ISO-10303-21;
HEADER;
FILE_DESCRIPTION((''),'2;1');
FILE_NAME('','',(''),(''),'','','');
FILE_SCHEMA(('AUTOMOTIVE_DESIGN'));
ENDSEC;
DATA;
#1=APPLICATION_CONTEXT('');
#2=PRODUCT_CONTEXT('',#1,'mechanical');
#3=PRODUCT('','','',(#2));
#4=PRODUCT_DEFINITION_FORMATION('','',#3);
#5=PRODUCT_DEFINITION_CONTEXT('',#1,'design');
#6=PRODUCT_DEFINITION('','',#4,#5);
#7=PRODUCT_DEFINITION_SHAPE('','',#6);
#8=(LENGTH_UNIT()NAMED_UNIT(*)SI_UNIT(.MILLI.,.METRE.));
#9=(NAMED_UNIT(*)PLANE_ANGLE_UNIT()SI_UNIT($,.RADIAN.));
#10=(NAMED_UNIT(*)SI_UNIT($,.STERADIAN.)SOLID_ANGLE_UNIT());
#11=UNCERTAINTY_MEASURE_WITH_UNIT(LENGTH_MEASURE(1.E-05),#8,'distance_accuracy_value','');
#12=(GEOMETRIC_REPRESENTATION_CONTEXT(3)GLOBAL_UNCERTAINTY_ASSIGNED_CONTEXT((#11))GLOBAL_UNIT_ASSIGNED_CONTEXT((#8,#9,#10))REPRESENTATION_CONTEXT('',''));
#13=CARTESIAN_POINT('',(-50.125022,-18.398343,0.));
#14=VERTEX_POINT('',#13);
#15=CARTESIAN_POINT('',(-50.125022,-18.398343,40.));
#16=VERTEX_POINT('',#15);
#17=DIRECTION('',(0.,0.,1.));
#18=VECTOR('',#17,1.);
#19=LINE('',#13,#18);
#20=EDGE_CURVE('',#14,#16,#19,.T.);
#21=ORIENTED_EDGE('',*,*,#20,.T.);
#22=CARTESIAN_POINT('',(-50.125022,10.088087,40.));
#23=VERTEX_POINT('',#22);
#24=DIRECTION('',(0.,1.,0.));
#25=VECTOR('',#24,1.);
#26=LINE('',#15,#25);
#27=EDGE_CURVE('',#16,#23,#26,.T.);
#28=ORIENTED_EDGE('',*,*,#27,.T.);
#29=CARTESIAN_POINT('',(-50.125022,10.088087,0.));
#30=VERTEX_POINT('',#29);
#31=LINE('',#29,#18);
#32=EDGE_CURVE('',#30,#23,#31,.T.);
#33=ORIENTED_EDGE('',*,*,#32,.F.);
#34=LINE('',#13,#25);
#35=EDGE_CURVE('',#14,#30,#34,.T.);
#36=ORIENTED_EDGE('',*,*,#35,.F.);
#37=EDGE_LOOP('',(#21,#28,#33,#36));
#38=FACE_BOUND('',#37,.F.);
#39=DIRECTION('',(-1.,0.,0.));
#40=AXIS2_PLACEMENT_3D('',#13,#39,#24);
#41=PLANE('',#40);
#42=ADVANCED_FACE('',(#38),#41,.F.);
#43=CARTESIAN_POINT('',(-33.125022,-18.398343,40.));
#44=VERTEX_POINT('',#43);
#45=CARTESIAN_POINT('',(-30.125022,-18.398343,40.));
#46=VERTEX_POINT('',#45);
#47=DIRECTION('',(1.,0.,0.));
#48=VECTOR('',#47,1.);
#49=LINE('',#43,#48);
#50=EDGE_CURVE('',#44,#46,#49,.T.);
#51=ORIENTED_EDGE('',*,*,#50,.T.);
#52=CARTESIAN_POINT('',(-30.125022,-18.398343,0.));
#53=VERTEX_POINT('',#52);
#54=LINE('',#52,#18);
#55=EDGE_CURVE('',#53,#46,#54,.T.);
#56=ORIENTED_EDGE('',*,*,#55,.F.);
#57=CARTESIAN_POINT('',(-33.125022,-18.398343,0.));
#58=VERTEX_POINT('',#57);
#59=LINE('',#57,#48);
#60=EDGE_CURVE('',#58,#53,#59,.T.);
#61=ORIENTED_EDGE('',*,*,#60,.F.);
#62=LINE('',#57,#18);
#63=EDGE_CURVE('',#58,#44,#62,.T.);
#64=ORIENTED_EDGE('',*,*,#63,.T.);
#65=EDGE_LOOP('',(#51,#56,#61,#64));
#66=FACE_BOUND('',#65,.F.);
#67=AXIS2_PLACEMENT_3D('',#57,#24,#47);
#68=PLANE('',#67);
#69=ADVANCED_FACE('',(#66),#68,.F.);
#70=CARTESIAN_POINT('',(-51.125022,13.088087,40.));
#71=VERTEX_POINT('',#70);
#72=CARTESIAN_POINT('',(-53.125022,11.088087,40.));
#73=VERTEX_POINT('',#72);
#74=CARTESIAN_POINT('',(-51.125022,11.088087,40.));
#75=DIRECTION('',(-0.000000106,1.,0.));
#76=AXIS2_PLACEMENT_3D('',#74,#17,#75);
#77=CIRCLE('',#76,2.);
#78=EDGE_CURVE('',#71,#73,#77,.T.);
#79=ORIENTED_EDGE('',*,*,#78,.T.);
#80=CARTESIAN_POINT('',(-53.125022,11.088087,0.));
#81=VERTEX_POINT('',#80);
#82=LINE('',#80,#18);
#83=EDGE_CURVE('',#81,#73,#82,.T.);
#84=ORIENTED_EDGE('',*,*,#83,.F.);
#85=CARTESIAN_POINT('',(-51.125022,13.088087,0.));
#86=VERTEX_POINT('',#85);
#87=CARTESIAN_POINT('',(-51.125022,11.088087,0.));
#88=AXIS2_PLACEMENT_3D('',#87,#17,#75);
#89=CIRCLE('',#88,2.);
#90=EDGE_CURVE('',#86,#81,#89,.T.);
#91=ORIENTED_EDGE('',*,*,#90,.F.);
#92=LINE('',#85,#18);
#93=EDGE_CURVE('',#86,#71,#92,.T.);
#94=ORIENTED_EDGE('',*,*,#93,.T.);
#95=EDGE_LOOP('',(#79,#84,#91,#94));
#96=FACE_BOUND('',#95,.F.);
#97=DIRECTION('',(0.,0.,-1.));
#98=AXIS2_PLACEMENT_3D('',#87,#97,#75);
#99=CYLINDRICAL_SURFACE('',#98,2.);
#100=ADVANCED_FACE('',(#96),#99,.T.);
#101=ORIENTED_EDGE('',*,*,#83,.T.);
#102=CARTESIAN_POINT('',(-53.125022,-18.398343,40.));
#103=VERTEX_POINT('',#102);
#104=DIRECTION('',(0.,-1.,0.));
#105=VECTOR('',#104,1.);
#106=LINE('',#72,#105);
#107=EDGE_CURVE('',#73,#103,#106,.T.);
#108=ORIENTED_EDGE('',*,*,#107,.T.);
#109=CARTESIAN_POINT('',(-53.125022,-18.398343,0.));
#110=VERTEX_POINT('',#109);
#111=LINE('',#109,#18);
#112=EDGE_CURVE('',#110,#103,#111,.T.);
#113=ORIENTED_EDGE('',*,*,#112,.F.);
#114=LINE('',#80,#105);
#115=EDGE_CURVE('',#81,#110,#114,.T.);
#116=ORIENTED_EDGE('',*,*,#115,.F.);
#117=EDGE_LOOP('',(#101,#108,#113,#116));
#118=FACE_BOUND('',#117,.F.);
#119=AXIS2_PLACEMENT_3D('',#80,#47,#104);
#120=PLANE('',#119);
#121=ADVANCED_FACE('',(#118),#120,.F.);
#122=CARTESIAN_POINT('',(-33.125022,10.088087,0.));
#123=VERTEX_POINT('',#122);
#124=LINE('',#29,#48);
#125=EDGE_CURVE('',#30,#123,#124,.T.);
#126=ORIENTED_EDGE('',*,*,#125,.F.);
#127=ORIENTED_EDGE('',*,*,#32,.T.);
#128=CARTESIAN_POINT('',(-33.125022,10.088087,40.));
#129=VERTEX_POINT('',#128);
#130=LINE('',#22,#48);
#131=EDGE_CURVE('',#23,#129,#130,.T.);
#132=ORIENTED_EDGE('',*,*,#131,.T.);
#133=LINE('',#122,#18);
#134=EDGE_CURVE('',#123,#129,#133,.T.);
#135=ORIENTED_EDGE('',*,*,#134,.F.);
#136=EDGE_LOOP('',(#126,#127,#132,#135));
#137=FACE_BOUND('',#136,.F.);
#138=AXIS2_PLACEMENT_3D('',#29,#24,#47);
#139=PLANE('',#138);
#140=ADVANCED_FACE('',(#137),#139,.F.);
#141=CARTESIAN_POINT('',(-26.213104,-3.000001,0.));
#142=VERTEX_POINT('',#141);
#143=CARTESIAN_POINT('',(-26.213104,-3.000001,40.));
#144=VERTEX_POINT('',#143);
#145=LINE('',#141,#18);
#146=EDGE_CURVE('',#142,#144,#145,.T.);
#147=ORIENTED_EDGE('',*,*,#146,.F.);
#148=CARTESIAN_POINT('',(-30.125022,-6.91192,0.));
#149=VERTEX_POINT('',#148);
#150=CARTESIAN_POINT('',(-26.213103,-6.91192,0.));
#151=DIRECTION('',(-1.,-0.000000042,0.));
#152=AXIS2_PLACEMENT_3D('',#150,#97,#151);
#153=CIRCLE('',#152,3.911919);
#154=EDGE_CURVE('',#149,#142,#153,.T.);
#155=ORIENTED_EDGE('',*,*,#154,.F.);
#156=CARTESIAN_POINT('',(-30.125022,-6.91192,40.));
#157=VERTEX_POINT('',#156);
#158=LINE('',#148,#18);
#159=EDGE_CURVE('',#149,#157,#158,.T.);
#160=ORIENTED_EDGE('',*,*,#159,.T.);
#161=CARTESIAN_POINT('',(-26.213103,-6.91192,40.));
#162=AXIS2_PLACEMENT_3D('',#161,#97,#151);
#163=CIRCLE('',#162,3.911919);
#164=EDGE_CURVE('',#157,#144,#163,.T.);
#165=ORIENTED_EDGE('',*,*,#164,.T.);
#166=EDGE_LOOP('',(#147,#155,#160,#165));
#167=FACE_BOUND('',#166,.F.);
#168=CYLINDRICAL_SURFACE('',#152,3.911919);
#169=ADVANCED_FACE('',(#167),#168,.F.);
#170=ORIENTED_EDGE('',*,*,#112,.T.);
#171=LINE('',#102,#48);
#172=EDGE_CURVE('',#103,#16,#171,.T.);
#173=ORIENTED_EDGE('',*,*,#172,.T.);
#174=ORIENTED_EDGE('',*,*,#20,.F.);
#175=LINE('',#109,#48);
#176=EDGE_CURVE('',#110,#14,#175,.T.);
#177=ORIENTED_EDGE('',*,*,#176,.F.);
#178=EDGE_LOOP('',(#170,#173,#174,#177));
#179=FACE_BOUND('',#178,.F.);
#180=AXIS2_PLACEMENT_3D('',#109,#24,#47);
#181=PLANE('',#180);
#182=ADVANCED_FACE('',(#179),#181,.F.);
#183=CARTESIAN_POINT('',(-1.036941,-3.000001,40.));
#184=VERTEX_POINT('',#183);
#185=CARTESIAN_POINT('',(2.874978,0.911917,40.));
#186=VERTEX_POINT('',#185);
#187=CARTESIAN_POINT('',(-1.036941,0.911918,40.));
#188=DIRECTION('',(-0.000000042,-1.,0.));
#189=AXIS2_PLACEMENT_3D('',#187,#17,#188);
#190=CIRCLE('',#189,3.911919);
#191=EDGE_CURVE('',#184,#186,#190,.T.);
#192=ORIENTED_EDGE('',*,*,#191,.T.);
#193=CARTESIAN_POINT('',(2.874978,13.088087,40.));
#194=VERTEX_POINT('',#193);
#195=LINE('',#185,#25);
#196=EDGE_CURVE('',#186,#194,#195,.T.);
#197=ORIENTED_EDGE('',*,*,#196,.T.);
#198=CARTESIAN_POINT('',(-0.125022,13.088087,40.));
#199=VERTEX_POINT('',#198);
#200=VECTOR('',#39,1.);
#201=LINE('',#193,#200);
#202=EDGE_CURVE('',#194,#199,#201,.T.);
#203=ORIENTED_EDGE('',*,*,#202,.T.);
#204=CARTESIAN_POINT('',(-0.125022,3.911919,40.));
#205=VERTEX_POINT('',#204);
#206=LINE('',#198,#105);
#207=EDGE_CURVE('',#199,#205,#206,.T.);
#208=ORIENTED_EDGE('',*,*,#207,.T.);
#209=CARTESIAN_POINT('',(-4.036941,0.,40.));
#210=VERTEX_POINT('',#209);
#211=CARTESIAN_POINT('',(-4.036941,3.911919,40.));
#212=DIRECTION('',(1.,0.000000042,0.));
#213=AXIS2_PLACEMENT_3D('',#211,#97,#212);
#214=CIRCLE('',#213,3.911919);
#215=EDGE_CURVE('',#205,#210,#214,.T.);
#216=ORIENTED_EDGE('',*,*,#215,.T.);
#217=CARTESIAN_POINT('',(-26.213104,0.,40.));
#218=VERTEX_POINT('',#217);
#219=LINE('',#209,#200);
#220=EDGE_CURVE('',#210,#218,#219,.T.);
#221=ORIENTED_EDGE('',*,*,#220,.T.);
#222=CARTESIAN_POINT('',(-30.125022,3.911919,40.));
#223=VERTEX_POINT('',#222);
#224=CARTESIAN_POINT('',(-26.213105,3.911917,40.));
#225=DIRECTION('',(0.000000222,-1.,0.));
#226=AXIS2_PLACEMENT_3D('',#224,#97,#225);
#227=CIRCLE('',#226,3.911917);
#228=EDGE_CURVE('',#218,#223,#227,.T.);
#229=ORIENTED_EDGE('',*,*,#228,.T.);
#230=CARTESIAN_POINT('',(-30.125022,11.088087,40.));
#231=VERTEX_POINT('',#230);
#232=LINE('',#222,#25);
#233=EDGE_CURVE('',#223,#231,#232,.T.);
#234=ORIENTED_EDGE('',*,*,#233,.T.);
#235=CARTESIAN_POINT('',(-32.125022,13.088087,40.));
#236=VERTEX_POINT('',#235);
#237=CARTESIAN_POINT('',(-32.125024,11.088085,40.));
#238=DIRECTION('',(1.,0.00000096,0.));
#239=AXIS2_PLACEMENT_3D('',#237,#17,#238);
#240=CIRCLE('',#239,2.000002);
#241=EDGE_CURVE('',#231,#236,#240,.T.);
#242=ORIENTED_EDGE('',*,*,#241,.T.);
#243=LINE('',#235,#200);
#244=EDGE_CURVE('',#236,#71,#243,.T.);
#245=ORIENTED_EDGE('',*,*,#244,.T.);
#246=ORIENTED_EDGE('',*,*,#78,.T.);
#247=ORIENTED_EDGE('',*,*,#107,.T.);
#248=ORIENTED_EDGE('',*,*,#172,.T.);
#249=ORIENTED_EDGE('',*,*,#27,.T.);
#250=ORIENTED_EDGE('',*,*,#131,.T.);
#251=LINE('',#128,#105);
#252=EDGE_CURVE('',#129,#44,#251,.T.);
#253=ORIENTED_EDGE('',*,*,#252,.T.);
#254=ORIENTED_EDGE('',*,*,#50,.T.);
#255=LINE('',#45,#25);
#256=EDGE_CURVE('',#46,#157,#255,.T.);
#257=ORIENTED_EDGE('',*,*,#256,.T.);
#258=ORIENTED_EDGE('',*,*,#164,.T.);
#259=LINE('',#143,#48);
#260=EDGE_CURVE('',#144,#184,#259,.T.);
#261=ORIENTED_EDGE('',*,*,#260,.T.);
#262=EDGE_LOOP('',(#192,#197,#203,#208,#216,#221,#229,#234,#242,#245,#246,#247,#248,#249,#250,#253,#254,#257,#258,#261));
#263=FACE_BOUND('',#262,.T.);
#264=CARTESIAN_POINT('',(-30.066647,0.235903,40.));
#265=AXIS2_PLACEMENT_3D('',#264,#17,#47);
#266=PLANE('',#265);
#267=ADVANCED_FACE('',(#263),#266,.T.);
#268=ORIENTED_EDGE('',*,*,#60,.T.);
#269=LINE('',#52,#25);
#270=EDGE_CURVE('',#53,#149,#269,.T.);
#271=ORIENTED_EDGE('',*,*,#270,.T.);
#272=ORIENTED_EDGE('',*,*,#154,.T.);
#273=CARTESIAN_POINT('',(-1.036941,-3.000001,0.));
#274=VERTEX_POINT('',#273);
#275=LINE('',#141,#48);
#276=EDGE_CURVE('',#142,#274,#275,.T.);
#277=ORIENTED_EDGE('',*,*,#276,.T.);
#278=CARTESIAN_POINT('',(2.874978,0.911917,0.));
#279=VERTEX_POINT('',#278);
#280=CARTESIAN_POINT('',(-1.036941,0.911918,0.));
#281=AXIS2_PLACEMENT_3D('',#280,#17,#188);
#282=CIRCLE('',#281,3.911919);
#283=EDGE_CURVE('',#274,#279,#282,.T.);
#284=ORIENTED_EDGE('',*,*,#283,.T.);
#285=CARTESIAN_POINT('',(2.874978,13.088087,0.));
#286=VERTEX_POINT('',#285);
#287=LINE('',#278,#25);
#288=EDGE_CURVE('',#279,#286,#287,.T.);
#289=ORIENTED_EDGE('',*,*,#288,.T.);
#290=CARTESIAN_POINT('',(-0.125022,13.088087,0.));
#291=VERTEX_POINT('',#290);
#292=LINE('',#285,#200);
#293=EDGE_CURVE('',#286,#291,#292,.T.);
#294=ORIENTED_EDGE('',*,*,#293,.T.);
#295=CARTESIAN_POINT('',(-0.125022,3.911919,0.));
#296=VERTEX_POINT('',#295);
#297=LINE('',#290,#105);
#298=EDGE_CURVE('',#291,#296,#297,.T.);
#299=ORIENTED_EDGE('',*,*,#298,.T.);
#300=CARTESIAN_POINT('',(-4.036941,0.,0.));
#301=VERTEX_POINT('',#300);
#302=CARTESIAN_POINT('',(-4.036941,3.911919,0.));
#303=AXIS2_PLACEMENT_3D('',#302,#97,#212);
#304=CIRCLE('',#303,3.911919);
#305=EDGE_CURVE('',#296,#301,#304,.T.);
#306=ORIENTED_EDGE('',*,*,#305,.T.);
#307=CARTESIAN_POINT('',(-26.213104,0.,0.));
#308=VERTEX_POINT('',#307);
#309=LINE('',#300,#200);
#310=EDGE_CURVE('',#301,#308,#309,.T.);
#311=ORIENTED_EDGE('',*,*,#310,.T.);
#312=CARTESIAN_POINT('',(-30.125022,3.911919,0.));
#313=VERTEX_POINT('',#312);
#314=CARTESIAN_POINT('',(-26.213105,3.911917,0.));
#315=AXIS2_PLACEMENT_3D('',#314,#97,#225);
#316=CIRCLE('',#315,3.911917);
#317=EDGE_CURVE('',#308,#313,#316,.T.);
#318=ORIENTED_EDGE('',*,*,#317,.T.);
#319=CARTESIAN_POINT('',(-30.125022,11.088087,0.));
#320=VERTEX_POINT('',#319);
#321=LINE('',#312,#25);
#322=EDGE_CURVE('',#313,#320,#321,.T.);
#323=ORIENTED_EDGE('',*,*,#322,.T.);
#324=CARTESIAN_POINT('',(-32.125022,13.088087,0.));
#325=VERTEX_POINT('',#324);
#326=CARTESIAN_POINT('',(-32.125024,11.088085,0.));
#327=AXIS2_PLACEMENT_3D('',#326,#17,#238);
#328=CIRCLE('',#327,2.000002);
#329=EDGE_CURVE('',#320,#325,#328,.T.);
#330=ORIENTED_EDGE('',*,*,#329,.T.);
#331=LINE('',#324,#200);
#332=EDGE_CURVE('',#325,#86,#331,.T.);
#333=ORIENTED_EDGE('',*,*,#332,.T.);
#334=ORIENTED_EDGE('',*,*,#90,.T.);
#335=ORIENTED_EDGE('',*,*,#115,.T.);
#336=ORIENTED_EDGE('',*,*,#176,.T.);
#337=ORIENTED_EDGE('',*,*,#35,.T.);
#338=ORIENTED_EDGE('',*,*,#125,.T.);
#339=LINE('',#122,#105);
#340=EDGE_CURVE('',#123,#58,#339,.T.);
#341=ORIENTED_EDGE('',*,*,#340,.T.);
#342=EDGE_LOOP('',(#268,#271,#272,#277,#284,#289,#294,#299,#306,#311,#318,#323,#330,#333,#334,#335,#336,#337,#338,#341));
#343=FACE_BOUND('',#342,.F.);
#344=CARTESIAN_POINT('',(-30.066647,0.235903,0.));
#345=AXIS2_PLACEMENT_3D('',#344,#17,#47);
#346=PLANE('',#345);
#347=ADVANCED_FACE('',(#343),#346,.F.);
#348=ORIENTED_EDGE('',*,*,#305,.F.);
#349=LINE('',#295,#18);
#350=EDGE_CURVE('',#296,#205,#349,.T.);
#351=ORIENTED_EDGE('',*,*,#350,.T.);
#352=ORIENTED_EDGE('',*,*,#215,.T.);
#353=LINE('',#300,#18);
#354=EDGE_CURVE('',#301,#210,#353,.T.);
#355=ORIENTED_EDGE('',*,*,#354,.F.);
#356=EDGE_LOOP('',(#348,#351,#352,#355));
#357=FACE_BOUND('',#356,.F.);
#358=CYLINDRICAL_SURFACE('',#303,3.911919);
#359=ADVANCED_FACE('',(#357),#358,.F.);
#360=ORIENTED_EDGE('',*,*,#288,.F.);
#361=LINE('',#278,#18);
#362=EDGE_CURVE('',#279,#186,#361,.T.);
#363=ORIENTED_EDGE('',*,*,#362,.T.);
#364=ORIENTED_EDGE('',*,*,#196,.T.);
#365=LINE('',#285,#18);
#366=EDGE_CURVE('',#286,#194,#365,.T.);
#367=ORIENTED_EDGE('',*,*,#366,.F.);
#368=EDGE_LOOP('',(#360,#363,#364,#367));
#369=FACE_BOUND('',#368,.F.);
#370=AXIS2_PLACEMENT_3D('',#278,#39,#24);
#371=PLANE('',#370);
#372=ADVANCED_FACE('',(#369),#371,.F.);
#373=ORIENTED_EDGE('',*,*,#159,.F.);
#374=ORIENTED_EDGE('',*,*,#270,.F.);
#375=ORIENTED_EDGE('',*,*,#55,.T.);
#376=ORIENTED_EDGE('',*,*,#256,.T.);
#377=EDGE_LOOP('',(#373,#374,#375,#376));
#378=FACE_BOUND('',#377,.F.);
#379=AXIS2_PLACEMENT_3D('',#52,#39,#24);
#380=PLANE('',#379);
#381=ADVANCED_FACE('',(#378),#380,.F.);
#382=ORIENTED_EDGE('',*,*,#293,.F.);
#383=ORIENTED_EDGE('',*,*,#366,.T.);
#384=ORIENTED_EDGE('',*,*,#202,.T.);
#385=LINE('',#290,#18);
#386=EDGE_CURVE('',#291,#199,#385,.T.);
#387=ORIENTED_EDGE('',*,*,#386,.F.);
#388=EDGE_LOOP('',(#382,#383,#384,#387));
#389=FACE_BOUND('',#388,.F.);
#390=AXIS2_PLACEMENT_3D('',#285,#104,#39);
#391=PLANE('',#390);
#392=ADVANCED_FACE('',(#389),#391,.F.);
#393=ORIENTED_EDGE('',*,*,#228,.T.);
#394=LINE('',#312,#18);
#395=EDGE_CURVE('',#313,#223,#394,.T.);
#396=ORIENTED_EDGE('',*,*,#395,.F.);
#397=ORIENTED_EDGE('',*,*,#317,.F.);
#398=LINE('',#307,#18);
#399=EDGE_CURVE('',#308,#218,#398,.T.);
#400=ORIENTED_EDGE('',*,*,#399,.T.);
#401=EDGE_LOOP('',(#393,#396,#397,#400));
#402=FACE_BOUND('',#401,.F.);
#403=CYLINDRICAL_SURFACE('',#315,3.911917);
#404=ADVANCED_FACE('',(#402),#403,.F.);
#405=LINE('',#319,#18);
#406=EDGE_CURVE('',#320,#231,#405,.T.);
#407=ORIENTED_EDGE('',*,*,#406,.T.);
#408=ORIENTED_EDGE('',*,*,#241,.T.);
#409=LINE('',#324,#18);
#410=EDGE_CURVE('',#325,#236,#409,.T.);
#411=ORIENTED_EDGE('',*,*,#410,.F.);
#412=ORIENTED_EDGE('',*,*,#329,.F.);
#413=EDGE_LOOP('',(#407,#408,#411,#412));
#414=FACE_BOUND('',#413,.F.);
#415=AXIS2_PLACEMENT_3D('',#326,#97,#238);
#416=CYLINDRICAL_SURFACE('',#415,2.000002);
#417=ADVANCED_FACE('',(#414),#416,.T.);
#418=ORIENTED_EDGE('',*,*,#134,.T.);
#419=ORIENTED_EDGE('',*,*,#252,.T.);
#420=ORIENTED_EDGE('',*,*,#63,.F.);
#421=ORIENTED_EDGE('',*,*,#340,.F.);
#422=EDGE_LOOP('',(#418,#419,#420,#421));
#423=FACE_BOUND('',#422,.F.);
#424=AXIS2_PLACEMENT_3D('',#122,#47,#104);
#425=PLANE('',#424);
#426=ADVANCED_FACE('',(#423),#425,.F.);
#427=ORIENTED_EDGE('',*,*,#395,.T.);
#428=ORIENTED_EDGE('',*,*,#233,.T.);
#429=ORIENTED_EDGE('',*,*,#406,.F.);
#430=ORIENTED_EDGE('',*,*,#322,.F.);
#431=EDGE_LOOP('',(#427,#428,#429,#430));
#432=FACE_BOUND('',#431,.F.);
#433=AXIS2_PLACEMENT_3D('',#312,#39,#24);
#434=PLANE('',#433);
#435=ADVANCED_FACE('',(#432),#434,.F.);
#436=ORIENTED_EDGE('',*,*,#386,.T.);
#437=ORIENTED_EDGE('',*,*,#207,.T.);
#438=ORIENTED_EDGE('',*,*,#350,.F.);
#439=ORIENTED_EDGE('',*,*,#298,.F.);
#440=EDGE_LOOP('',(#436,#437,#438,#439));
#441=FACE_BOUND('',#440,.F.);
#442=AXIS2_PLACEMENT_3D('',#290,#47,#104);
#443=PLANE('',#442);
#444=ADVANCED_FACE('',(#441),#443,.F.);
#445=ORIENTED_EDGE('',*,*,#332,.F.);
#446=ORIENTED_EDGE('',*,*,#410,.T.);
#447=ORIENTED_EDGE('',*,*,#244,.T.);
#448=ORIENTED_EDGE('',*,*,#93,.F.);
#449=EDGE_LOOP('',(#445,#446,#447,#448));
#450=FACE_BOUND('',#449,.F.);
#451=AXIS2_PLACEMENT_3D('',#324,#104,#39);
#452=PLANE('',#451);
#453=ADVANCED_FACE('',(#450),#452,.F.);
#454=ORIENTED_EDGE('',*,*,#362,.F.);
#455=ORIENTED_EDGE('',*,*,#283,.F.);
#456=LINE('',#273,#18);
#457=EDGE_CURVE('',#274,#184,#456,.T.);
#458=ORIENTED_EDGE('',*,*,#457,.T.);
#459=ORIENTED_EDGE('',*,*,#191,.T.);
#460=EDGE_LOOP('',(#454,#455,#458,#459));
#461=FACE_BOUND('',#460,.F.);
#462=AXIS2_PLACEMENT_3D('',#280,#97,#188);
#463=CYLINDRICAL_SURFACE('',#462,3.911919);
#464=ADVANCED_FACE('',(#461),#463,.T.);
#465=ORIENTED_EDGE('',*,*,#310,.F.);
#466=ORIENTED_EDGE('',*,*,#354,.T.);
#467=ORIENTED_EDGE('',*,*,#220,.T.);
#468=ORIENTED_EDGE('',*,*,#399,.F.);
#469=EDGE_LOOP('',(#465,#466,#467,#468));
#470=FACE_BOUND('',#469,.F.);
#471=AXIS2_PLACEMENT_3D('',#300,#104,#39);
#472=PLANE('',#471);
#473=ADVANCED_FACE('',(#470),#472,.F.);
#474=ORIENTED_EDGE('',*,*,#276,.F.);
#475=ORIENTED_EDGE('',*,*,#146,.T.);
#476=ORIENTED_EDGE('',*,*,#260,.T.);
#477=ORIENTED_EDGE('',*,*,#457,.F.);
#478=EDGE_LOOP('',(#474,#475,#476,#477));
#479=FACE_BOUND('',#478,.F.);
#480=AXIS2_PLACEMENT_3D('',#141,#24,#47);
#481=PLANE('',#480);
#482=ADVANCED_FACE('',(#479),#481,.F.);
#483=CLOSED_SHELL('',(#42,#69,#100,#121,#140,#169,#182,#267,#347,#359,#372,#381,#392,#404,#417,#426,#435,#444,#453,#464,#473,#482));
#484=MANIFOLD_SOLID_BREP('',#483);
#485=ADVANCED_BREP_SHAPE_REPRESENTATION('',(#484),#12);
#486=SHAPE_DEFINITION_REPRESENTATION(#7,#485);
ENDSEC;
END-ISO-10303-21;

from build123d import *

# Parameters (mm, degrees)
F1_DEPTH = 40


with BuildPart() as f1:
    # F0 (on Top) → F1 (new body)
    with BuildSketch(Plane.XY):
        with BuildLine():
            Line((-53.125022, 11.088087), (-53.125022, -18.398343))
            Line((-53.125022, -18.398343), (-50.125022, -18.398343))
            Line((-50.125022, -18.398343), (-50.125022, 10.088087))
            Line((-50.125022, 10.088087), (-33.125022, 10.088087))
            Line((-33.125022, 10.088087), (-33.125022, -18.398343))
            Line((-33.125022, -18.398343), (-30.125022, -18.398343))
            Line((-30.125022, -18.398343), (-30.125022, -6.91192))
            ThreePointArc((-30.125022, -6.91192), (-28.979248, -4.145776), (-26.213104, -3.000001))
            Line((-26.213104, -3.000001), (-1.036941, -3.000001))
            ThreePointArc((-1.036941, -3.000001), (1.729203, -1.854227), (2.874978, 0.911917))
            Line((2.874978, 0.911917), (2.874978, 13.088087))
            Line((2.874978, 13.088087), (-0.125022, 13.088087))
            Line((-0.125022, 13.088087), (-0.125022, 3.911919))
            ThreePointArc((-0.125022, 3.911919), (-1.270797, 1.145774), (-4.036941, 0))
            Line((-4.036941, 0), (-26.213104, 0))
            ThreePointArc((-26.213104, 0), (-28.979248, 1.145774), (-30.125022, 3.911919))
            Line((-30.125022, 3.911919), (-30.125022, 11.088087))
            ThreePointArc((-30.125022, 11.088087), (-30.710809, 12.5023), (-32.125022, 13.088087))
            Line((-32.125022, 13.088087), (-51.125022, 13.088087))
            ThreePointArc((-51.125022, 13.088087), (-52.539236, 12.5023), (-53.125022, 11.088087))
        make_face()
    extrude(amount=F1_DEPTH)


solid = f1.part
